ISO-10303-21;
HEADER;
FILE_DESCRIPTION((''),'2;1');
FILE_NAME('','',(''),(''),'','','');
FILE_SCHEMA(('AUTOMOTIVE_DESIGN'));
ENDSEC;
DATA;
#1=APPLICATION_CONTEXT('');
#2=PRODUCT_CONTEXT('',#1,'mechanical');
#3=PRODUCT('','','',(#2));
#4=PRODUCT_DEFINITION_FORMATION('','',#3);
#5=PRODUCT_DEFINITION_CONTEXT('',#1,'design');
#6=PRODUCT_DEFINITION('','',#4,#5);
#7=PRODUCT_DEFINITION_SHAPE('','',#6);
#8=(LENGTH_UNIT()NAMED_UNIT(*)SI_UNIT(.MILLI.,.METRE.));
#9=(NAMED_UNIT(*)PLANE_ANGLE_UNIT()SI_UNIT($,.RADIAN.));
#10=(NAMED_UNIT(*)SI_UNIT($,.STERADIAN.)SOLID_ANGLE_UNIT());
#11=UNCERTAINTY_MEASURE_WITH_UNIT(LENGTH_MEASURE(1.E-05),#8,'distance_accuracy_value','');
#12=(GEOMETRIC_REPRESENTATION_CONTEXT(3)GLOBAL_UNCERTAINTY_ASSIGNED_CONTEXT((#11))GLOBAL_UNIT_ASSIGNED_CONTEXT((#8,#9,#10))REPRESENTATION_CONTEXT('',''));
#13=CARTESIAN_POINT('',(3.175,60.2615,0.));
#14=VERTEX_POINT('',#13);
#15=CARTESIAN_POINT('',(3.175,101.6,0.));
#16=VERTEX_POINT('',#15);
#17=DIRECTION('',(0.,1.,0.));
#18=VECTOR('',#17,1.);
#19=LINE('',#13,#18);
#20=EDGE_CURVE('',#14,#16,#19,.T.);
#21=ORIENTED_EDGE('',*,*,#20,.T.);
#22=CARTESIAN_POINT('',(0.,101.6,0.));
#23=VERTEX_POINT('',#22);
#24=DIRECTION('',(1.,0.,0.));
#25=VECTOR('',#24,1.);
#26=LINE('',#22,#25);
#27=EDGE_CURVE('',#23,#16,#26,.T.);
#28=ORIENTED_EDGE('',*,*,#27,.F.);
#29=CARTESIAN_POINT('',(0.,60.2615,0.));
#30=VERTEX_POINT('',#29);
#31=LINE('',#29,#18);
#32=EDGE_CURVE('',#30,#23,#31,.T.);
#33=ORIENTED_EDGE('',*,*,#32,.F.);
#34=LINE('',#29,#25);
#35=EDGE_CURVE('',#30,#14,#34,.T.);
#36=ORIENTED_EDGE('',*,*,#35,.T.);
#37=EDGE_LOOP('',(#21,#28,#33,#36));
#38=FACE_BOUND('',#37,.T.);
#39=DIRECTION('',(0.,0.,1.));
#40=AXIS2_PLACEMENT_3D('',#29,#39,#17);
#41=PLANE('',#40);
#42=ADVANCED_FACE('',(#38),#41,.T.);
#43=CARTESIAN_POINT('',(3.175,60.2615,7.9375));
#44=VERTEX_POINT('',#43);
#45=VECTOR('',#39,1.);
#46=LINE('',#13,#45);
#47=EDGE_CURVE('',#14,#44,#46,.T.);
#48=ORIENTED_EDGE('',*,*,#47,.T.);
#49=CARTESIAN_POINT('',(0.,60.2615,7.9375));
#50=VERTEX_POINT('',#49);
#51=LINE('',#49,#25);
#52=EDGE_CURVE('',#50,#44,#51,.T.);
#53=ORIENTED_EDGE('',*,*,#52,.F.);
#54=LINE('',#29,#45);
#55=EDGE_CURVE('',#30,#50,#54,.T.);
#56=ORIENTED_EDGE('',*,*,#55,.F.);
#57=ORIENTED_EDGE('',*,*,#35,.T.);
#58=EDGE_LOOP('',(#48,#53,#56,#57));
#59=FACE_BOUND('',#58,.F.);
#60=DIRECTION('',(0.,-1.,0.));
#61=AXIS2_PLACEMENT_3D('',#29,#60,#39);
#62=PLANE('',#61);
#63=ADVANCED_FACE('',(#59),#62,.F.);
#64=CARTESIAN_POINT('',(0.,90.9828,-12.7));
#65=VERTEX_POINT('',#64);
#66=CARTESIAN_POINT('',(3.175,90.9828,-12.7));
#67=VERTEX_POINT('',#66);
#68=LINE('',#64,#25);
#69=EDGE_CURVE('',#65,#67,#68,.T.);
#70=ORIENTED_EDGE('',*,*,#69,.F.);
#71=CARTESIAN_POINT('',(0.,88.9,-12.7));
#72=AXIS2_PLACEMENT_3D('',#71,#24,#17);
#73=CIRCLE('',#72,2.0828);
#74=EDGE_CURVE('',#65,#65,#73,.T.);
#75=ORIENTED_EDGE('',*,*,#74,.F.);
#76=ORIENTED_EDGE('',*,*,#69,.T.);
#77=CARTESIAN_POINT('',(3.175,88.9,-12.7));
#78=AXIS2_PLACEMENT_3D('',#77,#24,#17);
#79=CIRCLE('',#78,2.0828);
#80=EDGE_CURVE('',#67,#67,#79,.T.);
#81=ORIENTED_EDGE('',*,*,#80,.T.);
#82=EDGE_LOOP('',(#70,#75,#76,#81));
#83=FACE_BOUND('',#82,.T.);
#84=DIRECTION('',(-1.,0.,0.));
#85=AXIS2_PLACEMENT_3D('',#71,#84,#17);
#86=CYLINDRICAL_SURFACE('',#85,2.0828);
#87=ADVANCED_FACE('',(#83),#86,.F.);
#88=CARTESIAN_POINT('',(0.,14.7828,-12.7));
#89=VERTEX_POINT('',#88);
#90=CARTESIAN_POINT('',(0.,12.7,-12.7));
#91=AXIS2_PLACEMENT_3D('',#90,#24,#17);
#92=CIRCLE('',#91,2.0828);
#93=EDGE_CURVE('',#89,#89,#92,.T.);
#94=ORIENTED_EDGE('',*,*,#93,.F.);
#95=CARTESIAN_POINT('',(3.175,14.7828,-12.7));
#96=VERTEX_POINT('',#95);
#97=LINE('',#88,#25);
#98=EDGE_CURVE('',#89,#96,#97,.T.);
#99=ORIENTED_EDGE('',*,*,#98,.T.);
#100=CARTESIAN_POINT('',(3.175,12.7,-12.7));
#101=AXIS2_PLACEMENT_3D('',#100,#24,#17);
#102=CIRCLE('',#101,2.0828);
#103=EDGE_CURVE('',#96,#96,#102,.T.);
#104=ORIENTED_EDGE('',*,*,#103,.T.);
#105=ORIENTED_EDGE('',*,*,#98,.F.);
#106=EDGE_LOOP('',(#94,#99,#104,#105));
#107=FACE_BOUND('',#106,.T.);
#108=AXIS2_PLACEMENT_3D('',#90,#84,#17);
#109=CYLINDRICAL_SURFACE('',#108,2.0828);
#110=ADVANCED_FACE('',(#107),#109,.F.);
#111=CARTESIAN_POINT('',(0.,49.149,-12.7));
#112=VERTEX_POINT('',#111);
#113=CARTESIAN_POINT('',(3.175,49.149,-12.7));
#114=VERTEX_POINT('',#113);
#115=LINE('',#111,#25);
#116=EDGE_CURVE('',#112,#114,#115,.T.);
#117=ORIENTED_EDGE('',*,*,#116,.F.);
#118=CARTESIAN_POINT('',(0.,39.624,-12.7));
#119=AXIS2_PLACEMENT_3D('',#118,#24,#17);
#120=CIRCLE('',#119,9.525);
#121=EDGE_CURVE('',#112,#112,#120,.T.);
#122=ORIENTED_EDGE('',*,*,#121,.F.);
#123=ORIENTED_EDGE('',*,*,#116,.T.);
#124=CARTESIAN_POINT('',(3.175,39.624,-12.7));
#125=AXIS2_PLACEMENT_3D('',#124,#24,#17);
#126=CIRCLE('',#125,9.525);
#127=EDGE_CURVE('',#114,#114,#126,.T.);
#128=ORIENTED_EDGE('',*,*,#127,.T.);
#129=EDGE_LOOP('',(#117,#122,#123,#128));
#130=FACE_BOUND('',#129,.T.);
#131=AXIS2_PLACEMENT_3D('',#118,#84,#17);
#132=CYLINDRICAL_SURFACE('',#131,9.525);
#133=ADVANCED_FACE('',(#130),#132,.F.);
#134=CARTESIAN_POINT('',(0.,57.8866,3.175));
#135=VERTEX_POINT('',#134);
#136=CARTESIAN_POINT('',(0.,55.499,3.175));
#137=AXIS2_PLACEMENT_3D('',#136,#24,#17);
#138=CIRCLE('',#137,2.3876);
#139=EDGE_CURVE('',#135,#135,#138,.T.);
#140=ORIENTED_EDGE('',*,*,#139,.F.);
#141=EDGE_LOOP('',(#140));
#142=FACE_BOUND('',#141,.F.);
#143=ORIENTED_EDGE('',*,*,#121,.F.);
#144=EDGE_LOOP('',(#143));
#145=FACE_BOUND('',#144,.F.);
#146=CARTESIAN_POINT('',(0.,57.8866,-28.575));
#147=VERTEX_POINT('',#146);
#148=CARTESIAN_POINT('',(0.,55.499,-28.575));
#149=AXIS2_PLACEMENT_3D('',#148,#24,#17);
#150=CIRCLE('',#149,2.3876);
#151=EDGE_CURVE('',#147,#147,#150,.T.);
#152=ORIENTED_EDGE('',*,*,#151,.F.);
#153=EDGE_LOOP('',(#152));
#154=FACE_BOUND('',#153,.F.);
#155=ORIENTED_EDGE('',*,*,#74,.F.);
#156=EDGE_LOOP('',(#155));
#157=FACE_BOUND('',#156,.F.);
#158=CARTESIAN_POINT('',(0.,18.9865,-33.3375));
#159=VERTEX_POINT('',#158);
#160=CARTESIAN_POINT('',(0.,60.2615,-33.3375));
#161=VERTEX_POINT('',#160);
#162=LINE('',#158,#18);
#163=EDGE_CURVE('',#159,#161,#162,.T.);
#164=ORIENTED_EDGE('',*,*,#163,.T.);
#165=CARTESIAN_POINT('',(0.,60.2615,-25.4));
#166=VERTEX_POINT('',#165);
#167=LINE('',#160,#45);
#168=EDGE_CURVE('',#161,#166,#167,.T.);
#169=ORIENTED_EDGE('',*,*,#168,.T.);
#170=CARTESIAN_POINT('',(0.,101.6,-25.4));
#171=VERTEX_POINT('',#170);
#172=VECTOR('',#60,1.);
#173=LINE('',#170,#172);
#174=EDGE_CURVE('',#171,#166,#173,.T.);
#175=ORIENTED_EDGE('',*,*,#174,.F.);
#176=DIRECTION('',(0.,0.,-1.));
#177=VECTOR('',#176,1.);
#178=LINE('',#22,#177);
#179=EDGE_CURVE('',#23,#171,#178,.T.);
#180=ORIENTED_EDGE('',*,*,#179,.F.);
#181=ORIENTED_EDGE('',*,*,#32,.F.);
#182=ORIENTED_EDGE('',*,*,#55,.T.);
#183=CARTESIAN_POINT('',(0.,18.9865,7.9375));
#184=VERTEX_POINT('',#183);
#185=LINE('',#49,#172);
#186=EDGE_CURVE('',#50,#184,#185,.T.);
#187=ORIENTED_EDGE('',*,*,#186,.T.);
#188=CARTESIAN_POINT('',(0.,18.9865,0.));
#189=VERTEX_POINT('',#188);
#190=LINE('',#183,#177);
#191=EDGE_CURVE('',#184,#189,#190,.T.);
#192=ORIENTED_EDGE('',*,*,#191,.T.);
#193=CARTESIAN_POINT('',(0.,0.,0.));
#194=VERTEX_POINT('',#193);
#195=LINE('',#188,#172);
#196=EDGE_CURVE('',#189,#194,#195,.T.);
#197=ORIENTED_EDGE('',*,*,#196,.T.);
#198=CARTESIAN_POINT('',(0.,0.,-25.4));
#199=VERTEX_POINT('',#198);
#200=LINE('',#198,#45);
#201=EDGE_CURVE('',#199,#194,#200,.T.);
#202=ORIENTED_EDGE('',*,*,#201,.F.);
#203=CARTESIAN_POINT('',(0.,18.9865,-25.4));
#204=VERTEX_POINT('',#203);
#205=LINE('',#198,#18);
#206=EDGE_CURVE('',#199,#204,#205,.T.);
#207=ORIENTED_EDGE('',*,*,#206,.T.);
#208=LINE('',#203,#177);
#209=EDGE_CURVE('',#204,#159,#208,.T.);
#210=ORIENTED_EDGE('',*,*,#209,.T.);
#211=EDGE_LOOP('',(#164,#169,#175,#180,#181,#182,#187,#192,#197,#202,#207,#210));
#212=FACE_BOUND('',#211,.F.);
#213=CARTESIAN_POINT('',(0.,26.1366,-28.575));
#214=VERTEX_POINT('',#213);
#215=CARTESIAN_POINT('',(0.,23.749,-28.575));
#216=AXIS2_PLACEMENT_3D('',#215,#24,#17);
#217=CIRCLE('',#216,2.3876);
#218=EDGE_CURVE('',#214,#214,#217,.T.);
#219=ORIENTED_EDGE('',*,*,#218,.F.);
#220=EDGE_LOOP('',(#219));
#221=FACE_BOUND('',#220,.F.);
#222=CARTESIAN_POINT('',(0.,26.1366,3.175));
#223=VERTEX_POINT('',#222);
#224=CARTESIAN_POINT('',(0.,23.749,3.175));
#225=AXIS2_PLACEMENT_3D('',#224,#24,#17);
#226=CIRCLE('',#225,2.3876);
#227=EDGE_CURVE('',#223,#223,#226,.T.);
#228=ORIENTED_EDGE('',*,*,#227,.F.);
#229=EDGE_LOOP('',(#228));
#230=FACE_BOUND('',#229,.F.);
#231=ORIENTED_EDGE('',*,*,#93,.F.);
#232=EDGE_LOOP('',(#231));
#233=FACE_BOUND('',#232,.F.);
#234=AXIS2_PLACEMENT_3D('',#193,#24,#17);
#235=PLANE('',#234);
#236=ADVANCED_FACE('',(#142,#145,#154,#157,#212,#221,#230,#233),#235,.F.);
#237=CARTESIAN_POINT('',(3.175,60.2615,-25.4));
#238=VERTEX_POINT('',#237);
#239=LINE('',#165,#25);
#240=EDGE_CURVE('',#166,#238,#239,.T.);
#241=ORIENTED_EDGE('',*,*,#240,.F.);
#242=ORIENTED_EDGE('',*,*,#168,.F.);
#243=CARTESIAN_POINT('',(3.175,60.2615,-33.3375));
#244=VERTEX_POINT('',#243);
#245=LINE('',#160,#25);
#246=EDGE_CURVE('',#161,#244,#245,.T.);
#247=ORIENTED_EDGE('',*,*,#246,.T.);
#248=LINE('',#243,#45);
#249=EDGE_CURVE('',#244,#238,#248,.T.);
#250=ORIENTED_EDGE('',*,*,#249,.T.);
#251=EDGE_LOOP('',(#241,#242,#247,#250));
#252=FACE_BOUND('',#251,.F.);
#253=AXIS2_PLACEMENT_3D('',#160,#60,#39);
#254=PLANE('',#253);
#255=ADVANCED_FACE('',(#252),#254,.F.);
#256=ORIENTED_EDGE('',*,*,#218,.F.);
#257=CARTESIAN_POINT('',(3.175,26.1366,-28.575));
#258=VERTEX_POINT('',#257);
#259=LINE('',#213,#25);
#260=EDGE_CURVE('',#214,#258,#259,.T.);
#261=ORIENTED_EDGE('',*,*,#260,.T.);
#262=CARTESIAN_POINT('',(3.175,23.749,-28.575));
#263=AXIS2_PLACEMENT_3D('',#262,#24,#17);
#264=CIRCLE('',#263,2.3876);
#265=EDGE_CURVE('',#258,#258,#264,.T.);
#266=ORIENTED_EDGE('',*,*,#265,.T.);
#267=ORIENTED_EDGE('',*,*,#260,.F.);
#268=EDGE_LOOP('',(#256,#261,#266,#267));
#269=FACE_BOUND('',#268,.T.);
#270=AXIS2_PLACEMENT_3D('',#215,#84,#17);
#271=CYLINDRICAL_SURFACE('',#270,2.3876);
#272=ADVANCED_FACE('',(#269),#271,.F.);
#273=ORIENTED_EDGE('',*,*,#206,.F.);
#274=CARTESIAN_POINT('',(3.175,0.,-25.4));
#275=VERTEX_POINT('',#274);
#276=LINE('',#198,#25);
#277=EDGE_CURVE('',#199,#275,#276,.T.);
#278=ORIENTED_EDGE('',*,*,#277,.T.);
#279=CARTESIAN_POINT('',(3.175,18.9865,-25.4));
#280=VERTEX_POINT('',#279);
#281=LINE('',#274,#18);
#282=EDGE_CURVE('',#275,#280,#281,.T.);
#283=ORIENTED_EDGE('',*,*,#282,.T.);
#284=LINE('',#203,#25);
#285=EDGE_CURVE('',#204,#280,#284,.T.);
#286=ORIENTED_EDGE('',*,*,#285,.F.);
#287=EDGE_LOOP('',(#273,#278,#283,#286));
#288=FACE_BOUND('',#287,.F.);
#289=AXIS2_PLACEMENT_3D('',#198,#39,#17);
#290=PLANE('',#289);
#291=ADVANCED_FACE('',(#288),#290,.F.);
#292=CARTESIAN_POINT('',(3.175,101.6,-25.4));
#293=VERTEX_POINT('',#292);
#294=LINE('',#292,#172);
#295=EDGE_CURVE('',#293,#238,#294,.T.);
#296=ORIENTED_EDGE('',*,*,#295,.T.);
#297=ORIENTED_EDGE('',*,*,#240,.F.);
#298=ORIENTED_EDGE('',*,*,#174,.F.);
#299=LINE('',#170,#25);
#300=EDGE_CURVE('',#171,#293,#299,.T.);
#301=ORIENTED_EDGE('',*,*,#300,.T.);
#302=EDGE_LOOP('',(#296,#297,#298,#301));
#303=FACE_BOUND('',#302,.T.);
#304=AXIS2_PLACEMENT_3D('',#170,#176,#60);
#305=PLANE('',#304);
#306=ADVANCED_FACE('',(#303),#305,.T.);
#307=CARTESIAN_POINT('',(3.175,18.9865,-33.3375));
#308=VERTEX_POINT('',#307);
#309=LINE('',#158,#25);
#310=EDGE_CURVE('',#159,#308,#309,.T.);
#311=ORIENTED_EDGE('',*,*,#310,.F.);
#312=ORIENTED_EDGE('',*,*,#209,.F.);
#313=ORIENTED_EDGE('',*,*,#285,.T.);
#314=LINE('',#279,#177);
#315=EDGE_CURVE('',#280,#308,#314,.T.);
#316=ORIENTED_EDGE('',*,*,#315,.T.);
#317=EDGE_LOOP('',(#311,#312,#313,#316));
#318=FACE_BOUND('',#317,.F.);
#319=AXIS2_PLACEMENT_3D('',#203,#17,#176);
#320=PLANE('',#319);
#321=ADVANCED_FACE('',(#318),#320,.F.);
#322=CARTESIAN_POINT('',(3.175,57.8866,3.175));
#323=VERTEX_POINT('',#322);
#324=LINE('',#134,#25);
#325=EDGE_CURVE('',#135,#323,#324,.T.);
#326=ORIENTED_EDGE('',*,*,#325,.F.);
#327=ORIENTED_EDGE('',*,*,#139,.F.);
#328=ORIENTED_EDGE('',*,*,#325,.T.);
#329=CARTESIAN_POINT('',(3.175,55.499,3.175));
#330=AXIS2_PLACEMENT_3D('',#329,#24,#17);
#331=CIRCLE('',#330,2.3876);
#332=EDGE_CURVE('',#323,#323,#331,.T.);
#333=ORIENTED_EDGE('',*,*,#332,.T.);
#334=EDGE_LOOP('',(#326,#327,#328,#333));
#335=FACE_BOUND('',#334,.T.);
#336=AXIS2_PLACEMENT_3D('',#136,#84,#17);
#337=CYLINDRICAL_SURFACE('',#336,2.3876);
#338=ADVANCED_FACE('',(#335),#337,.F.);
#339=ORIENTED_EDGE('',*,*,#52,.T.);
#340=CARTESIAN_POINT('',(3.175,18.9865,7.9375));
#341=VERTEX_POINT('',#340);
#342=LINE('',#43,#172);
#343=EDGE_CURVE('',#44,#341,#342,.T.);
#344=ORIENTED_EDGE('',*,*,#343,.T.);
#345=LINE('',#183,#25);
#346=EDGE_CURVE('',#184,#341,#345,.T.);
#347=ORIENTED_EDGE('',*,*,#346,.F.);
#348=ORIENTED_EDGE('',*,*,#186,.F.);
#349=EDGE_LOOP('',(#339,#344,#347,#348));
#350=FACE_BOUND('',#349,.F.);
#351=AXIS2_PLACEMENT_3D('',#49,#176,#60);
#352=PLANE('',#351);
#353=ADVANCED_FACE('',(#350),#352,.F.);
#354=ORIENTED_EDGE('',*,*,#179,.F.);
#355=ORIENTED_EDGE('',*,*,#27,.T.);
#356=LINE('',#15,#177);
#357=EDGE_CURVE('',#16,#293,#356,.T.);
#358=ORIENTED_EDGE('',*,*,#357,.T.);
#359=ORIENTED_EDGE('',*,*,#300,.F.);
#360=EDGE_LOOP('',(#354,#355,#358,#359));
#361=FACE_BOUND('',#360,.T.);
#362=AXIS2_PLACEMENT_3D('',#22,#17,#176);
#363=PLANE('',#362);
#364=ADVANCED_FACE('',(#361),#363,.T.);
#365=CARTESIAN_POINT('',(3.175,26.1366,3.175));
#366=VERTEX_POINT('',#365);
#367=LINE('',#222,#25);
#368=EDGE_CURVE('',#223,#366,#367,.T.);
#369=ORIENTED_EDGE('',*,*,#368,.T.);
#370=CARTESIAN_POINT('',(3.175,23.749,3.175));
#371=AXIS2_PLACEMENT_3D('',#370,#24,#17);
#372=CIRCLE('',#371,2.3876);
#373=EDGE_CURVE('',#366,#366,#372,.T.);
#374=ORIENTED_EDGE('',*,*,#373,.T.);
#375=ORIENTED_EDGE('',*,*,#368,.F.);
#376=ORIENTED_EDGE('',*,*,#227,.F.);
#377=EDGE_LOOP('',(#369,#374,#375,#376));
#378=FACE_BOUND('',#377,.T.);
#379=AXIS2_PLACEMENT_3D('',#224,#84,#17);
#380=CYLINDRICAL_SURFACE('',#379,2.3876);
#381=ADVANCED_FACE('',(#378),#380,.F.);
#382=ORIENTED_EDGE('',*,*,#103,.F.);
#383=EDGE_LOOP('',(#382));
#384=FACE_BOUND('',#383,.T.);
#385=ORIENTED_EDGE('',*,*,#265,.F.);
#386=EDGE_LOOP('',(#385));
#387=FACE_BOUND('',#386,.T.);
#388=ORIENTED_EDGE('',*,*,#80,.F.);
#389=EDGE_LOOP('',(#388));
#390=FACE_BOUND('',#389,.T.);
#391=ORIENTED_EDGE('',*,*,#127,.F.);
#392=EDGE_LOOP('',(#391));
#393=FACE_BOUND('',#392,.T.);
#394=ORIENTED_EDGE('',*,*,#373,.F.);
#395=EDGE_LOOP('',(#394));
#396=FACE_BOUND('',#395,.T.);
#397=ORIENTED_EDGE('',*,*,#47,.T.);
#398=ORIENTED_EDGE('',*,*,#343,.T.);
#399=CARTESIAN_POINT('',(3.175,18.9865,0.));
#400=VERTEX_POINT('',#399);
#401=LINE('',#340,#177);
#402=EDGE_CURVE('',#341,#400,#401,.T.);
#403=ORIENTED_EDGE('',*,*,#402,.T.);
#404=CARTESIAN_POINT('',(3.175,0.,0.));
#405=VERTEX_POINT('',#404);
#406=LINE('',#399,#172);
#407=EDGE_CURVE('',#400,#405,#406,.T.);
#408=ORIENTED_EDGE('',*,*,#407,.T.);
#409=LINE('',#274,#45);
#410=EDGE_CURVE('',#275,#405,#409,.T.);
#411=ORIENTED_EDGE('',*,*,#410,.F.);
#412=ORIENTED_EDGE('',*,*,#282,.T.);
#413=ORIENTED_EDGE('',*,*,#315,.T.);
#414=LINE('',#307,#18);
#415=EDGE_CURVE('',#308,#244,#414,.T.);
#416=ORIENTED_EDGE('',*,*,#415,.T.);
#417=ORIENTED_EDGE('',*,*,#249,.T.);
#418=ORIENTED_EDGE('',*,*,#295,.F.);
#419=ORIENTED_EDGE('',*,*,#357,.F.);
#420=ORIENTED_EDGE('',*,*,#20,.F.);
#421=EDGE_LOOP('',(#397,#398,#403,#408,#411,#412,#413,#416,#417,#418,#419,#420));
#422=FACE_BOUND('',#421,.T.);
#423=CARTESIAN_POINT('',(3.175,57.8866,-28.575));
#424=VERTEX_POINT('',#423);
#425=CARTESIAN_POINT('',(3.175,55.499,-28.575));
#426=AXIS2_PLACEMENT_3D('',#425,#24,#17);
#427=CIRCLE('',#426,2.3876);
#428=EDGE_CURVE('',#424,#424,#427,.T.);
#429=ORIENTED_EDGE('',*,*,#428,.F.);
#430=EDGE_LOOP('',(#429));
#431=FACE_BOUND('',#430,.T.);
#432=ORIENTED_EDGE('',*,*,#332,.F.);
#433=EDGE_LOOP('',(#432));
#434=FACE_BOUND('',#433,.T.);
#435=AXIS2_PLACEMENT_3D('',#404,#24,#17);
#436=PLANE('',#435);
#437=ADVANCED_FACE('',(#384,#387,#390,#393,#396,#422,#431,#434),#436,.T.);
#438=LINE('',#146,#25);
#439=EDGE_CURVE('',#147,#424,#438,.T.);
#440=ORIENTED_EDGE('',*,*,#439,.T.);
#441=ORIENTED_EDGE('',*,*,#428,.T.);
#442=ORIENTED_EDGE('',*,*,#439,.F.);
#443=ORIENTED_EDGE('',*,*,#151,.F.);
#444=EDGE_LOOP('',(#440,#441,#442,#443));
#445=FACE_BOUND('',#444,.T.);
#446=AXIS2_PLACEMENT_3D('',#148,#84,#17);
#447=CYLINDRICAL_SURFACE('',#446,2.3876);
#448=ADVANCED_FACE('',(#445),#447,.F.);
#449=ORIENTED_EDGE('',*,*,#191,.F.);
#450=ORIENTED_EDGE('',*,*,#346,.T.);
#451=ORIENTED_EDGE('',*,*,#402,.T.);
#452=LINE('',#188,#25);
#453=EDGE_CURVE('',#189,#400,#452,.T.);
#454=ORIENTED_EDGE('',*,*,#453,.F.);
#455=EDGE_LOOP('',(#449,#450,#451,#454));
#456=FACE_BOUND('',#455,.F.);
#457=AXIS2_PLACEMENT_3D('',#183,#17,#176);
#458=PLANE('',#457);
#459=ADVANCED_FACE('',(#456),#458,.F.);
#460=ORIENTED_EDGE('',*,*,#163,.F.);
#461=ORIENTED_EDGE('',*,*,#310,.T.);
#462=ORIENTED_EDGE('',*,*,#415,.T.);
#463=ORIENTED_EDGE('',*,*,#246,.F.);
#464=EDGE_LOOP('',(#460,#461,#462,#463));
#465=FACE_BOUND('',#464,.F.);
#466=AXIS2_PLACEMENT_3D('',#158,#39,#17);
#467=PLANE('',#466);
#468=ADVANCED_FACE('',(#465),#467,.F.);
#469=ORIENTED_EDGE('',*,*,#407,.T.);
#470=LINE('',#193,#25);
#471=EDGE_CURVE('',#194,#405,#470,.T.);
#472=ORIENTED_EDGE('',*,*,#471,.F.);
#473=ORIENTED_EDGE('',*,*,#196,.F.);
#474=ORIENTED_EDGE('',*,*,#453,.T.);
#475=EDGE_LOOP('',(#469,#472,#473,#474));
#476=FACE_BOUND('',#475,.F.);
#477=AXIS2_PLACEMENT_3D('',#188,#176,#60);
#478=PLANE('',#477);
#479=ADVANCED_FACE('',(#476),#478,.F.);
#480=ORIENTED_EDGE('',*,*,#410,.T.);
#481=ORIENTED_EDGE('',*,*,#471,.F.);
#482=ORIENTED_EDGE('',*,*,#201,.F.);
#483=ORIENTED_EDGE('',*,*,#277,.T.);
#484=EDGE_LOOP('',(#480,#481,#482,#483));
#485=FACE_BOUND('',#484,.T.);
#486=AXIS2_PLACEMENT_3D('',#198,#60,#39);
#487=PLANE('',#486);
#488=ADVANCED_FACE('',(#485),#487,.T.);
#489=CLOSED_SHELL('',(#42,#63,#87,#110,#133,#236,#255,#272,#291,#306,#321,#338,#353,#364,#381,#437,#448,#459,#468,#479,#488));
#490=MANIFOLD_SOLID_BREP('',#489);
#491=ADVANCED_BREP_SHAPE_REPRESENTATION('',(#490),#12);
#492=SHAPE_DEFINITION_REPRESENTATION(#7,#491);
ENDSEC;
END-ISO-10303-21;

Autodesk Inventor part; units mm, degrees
ref_plane "YZ Plane" through (0, 0, 0) normal (1, 0, 0) x (0, 1, 0)
ref_plane "XZ Plane" through (0, 0, 0) normal (0, 1, 0) x (-1, 0, 0)
ref_plane "XY Plane" through (0, 0, 0) normal (0, 0, 1) x (1, 0, 0)
sketch "Sketch1" plane through (0, 0, 0) normal (1, 0, 0) x (0, 1, 0)
  line L0 (101.6, 0) -> (101.6, -25.4)
  line L1 (0, -25.4) -> (0, 0)
  line L2 (60.2615, 7.9375) -> (18.9865, 7.9375)
  line L3 (18.9865, -33.3375) -> (60.2615, -33.3375)
  line L4 (101.6, -25.4) -> (60.2615, -25.4)
  line L5 (18.9865, 7.9375) -> (18.9865, 0)
  line L6 (18.9865, -25.4) -> (18.9865, -33.3375)
  line L7 (60.2615, 0) -> (101.6, 0)
  line L8 (60.2615, -33.3375) -> (60.2615, -25.4)
  line L9 (60.2615, 0) -> (60.2615, 7.9375)
  circle A0 centre (88.9, -12.7) radius 2.0828
  circle A1 centre (12.7, -12.7) radius 2.0828
  line L10 (55.499, 3.175) -> (23.749, 3.175) construction
  line L11 (23.749, 3.175) -> (23.749, -28.575) construction
  line L12 (23.749, -28.575) -> (55.499, -28.575) construction
  line L13 (55.499, -28.575) -> (55.499, 3.175) construction
  circle A2 centre (55.499, 3.175) radius 2.3876
  circle A3 centre (55.499, -28.575) radius 2.3876
  circle A4 centre (23.749, 3.175) radius 2.3876
  circle A5 centre (23.749, -28.575) radius 2.3876
  circle A6 centre (39.624, -12.7) radius 9.525
  line L14 (18.9865, 0) -> (0, 0)
  line L15 (0, -25.4) -> (18.9865, -25.4)
  dimension "d0" = 25.4
  dimension "d1" = 101.6
  dimension "d2" = 41.275
  dimension "d3" = 41.275
  dimension "d5" = 4.1656
  dimension "d6" = 4.1656
  dimension "d7" = 31.75
  dimension "d8" = 31.75
  dimension "d10" = 4.7625
  dimension "d11" = 12.7
  dimension "d12" = 12.7
  dimension "d13" = 12.7
  dimension "d15" = 4.7752
  dimension "d18" = 31.75
  dimension "d21" = 31.75
  dimension "d24" = 19.05
  dimension "d25" = 20.6375
  dimension "d26" = 20.6375
  dimension "d29" = 61.976
  dimension "d30" = 4.7625
  dimension "d31" = 12.7
extrude "Extrusion1" add sketch "Sketch1" along normal blind 3.175
properties part number "Plate"
